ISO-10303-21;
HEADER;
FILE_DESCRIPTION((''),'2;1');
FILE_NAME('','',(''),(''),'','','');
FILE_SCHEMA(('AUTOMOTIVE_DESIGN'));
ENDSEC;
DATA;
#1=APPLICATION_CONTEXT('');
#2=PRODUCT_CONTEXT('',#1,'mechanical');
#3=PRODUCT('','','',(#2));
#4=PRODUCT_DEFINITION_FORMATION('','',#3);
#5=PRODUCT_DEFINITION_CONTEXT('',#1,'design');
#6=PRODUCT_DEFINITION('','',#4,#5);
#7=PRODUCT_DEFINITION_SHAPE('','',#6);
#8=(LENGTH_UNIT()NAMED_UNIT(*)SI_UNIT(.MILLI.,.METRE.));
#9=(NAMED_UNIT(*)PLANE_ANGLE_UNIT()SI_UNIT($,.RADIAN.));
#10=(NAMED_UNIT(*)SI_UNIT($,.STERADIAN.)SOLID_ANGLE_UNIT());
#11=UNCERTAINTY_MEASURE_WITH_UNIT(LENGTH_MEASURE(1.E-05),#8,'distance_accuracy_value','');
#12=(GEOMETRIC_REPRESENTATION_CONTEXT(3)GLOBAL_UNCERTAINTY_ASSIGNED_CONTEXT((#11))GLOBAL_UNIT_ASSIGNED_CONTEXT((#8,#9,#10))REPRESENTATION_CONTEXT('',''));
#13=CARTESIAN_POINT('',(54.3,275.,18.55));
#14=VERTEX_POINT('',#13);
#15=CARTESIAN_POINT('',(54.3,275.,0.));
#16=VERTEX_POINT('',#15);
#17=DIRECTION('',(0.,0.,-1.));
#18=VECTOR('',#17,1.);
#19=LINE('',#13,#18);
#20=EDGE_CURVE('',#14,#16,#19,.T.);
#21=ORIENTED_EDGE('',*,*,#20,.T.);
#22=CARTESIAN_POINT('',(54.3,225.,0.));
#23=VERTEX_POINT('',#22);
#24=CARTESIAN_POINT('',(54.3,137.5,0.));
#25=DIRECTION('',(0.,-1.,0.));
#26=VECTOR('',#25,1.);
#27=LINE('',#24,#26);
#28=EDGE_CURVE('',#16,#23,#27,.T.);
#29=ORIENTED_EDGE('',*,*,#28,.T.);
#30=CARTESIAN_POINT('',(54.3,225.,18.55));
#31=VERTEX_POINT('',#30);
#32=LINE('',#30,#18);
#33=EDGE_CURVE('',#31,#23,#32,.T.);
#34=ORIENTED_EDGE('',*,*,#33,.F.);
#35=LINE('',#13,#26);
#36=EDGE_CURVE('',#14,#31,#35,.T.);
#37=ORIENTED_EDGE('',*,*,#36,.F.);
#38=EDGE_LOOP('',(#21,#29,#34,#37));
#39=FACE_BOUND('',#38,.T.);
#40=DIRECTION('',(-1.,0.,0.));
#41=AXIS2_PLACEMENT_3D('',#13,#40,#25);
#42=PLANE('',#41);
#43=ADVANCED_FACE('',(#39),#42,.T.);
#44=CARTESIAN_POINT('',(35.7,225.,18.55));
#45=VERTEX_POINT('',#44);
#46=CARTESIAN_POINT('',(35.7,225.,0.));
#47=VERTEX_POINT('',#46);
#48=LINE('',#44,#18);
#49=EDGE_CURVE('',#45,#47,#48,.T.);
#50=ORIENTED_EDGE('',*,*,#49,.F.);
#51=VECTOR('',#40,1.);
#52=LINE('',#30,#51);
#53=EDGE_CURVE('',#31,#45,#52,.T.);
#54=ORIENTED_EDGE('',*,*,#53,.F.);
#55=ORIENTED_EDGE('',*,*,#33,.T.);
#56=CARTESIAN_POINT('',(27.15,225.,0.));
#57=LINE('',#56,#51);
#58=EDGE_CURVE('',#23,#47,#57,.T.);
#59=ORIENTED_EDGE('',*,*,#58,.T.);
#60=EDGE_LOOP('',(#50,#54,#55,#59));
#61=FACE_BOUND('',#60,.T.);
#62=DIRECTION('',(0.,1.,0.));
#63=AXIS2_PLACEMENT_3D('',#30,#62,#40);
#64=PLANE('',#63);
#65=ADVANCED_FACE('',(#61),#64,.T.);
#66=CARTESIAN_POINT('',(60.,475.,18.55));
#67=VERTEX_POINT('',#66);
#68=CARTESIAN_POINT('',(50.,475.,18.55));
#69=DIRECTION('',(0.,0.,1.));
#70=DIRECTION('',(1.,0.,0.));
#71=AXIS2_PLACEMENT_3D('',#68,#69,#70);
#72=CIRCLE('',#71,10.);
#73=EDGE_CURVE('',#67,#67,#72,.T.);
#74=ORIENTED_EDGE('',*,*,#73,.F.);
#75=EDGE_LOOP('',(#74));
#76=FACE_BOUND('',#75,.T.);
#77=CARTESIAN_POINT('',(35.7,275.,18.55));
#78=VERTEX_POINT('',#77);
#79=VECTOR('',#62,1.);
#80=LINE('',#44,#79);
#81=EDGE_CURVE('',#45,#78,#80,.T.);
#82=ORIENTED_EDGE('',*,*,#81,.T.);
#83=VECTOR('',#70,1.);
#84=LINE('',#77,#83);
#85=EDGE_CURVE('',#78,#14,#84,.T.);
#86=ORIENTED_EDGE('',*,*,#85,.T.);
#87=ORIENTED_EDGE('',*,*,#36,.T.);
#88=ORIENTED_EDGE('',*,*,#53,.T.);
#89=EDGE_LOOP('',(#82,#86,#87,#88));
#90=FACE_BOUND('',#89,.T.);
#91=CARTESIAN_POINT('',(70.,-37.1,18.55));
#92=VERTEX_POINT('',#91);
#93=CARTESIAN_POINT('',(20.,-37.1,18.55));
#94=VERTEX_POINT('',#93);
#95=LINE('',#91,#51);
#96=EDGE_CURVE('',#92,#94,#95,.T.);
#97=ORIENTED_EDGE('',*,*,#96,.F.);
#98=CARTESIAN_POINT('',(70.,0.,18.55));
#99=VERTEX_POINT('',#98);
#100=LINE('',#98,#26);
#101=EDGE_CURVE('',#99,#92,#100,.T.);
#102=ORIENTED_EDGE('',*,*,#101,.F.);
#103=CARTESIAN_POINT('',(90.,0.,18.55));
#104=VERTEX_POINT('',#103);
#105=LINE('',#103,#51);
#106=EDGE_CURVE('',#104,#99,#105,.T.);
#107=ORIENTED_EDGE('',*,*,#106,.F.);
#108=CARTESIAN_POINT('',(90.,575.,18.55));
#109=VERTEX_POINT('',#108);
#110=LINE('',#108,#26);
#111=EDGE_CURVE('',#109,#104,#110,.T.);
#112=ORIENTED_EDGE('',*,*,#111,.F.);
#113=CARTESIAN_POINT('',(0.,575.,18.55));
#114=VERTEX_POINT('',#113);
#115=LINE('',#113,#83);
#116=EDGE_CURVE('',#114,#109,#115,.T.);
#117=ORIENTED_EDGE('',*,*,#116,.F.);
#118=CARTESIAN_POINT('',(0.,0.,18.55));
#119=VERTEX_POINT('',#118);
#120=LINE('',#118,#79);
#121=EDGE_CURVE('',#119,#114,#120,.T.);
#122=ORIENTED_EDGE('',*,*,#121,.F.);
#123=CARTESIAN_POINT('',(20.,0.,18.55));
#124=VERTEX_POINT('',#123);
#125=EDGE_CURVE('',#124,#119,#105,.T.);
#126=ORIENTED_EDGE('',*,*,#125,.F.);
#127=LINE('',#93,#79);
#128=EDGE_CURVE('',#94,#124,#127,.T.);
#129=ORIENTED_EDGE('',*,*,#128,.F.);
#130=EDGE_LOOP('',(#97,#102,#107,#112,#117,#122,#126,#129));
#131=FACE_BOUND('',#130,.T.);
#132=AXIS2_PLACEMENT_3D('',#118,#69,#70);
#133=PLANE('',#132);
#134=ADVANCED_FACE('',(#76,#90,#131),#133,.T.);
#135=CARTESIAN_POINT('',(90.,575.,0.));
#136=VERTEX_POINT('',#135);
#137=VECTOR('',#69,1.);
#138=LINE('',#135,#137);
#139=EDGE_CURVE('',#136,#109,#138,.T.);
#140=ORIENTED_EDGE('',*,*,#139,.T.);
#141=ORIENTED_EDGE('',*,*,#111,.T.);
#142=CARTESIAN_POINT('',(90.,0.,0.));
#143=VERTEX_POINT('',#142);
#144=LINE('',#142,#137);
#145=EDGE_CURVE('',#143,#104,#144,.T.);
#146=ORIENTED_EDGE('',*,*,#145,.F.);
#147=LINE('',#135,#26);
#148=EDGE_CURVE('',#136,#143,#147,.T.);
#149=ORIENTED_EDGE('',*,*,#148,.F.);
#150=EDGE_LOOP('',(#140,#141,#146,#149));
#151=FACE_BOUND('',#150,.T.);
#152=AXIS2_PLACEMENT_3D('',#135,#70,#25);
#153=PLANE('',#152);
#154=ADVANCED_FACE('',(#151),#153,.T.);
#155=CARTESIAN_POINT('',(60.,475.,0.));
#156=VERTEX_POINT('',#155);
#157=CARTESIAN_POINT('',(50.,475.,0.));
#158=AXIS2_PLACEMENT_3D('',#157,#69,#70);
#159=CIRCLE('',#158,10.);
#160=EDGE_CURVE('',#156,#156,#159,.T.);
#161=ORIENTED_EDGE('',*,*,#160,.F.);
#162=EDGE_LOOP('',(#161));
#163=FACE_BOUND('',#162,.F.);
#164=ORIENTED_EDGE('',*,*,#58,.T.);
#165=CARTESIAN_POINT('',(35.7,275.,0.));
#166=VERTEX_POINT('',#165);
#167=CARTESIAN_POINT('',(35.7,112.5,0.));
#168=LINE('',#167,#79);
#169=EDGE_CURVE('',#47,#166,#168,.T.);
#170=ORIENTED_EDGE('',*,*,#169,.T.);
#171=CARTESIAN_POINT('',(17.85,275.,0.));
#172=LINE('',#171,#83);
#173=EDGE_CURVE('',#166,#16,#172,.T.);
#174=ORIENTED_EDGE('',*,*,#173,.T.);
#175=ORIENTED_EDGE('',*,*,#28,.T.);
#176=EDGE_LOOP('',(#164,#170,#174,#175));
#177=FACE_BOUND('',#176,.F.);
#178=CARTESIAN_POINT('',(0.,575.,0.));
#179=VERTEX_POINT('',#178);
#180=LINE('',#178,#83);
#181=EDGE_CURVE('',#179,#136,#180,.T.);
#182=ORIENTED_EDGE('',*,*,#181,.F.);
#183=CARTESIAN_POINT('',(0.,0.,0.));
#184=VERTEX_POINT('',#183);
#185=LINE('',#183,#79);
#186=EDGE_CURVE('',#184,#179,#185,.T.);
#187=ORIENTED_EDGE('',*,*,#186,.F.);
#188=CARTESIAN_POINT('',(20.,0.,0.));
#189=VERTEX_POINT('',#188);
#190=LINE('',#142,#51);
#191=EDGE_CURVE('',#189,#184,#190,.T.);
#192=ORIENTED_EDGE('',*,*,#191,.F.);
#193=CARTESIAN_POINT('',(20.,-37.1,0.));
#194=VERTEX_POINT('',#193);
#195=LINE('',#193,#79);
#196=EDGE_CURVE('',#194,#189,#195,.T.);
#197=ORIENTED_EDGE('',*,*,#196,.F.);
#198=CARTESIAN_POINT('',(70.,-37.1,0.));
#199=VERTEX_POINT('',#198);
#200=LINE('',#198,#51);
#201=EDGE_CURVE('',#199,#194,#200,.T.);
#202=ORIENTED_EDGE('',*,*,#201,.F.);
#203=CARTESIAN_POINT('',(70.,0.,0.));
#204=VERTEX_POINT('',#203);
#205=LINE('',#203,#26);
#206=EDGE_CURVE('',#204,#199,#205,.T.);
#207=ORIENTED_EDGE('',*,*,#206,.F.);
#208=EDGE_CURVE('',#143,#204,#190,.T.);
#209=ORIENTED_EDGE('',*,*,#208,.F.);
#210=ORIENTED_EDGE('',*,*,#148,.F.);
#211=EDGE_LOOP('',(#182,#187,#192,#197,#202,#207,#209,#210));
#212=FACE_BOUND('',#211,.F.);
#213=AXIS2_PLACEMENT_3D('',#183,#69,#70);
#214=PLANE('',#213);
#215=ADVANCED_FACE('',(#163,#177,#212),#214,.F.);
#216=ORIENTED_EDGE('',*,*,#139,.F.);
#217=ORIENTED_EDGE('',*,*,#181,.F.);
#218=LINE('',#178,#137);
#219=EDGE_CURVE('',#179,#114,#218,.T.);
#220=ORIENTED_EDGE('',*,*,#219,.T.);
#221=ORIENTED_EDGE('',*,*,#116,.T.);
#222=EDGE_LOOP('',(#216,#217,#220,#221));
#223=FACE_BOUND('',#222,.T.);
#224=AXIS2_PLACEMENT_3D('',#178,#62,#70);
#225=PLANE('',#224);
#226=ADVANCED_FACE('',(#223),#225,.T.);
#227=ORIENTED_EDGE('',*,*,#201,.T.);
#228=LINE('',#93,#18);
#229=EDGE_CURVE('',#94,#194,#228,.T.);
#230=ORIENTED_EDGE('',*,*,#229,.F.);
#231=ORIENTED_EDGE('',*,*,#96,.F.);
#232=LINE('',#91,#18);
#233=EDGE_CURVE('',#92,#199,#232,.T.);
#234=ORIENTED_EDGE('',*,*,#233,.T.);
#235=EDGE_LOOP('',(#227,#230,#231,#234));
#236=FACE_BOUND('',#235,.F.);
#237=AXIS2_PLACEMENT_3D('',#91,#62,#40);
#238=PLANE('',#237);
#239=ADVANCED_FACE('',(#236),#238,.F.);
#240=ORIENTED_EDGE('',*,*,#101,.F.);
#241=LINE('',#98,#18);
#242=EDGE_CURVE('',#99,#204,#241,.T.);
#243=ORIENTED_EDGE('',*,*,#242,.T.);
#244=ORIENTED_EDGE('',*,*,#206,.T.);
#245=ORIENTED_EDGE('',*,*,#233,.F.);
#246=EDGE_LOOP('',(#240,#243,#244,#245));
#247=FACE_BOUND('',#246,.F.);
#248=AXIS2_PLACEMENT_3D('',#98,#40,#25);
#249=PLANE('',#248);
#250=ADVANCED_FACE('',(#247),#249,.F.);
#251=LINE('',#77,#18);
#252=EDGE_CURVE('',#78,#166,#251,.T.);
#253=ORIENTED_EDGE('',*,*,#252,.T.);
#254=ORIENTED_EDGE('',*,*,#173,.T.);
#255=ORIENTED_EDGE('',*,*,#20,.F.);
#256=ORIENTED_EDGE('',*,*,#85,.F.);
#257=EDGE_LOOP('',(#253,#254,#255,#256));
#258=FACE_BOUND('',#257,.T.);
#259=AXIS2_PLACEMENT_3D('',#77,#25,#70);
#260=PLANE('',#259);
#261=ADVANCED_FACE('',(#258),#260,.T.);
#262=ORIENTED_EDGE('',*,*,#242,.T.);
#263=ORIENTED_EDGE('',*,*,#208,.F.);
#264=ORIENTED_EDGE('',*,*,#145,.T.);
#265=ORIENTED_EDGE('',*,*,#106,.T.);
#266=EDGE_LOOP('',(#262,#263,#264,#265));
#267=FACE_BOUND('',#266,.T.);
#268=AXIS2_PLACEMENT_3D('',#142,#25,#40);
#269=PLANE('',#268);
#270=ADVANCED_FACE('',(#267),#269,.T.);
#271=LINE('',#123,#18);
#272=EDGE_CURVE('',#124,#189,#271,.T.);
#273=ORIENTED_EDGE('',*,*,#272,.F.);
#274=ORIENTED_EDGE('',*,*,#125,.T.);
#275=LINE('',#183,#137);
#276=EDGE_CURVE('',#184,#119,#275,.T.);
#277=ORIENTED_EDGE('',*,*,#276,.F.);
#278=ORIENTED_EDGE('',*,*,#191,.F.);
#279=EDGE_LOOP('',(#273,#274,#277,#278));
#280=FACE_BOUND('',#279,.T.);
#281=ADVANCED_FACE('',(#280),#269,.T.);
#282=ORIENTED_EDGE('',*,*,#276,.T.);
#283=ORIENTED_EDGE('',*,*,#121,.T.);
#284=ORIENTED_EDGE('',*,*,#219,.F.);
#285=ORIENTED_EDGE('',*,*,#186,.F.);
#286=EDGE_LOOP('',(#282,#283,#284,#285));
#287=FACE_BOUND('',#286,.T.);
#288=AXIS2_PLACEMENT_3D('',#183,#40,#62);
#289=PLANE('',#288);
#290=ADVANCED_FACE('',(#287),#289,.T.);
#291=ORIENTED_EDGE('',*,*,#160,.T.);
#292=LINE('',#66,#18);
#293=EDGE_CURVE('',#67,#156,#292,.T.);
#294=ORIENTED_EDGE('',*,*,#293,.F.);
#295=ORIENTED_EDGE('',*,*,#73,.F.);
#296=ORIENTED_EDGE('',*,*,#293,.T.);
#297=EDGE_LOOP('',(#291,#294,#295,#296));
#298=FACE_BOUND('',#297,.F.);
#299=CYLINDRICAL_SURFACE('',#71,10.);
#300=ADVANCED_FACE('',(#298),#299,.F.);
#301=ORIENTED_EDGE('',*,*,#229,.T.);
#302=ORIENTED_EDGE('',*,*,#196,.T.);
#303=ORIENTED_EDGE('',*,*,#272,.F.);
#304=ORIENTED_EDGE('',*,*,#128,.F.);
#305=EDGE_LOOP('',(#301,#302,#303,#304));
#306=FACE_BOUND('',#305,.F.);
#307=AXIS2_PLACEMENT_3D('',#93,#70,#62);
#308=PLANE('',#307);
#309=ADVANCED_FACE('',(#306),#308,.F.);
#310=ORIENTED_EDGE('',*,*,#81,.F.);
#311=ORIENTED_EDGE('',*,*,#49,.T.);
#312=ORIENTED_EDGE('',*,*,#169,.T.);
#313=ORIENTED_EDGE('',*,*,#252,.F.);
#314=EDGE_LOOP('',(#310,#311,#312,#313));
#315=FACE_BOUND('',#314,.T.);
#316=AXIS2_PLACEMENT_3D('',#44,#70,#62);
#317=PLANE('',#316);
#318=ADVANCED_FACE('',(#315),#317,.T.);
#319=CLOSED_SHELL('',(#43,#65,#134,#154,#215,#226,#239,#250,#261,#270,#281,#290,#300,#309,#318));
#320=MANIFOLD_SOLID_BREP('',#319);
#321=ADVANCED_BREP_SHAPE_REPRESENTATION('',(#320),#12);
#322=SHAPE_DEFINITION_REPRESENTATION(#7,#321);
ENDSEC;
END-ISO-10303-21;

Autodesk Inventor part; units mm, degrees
ref_plane "YZ Plane" through (0, 0, 0) normal (1, 0, 0) x (0, 1, 0)
ref_plane "XZ Plane" through (0, 0, 0) normal (0, 1, 0) x (-1, 0, 0)
ref_plane "XY Plane" through (0, 0, 0) normal (0, 0, 1) x (1, 0, 0)
sketch "Sketch1" plane through (0, 0, 0) normal (0, 0, 1) x (1, 0, 0)
  line L0 (0, 0) -> (0, 575)
  line L1 (0, 575) -> (90, 575)
  line L2 (90, 575) -> (90, 0)
  line L3 (90, 0) -> (0, 0)
  dimension "d0" = 575
  dimension "d1" = 90
extrude "Extrusion1" add sketch "Sketch1" along normal blind 18.55
sketch "Sketch2" plane through (0, 0, 18.55) normal (0, 0, 1) x (1, 0, 0)
  circle A0 centre (50, 475) radius 10
  line L0 (0, 575) -> (0, 0) projected
  line L1 (0, 475) -> (90, 475) construction
  line L2 (90, 0) -> (90, 575) projected
  line L3 (90, 575) -> (0, 575) projected
  dimension "d4" = 50
  dimension "d5" = 100
  dimension "d6" = 20
extrude "Extrusion2" cut sketch "Sketch2" against normal blind 100
sketch "Sketch3" plane through (0, 0, 18.55) normal (0, 0, 1) x (1, 0, 0)
  line L0 (0, 0) -> (90, 0) projected
  line L1 (20, 0) -> (70, 0)
  line L2 (70, 0) -> (70, -37.1)
  line L3 (70, -37.1) -> (20, -37.1)
  line L4 (20, -37.1) -> (20, 0)
  line L5 (0, 575) -> (0, 0) projected
  line L6 (90, 0) -> (90, 575) projected
  dimension "d9" = 20
  dimension "d10" = 20
  dimension "d11" = 37.1
extrude "Extrusion3" add sketch "Sketch3" against normal blind 18.55
sketch "Sketch4" plane through (0, 0, 18.55) normal (0, 0, 1) x (1, 0, 0)
  line L0 (35.7, 275) -> (54.3, 275)
  line L1 (54.3, 275) -> (54.3, 225)
  line L2 (54.3, 225) -> (35.7, 225)
  line L3 (35.7, 225) -> (35.7, 275)
  line L4 (90, 575) -> (0, 575) projected
  line L5 (35.7, 250) -> (0, 250) construction
  line L6 (0, 575) -> (0, 0) projected
  line L7 (54.3, 250) -> (90, 250) construction
  line L8 (90, 0) -> (90, 575) projected
  dimension "d14" = 300
  dimension "d15" = 50
  dimension "d16" = 18.6
extrude "Extrusion4" cut sketch "Sketch4" against normal blind 200
properties part number "table_foot"
